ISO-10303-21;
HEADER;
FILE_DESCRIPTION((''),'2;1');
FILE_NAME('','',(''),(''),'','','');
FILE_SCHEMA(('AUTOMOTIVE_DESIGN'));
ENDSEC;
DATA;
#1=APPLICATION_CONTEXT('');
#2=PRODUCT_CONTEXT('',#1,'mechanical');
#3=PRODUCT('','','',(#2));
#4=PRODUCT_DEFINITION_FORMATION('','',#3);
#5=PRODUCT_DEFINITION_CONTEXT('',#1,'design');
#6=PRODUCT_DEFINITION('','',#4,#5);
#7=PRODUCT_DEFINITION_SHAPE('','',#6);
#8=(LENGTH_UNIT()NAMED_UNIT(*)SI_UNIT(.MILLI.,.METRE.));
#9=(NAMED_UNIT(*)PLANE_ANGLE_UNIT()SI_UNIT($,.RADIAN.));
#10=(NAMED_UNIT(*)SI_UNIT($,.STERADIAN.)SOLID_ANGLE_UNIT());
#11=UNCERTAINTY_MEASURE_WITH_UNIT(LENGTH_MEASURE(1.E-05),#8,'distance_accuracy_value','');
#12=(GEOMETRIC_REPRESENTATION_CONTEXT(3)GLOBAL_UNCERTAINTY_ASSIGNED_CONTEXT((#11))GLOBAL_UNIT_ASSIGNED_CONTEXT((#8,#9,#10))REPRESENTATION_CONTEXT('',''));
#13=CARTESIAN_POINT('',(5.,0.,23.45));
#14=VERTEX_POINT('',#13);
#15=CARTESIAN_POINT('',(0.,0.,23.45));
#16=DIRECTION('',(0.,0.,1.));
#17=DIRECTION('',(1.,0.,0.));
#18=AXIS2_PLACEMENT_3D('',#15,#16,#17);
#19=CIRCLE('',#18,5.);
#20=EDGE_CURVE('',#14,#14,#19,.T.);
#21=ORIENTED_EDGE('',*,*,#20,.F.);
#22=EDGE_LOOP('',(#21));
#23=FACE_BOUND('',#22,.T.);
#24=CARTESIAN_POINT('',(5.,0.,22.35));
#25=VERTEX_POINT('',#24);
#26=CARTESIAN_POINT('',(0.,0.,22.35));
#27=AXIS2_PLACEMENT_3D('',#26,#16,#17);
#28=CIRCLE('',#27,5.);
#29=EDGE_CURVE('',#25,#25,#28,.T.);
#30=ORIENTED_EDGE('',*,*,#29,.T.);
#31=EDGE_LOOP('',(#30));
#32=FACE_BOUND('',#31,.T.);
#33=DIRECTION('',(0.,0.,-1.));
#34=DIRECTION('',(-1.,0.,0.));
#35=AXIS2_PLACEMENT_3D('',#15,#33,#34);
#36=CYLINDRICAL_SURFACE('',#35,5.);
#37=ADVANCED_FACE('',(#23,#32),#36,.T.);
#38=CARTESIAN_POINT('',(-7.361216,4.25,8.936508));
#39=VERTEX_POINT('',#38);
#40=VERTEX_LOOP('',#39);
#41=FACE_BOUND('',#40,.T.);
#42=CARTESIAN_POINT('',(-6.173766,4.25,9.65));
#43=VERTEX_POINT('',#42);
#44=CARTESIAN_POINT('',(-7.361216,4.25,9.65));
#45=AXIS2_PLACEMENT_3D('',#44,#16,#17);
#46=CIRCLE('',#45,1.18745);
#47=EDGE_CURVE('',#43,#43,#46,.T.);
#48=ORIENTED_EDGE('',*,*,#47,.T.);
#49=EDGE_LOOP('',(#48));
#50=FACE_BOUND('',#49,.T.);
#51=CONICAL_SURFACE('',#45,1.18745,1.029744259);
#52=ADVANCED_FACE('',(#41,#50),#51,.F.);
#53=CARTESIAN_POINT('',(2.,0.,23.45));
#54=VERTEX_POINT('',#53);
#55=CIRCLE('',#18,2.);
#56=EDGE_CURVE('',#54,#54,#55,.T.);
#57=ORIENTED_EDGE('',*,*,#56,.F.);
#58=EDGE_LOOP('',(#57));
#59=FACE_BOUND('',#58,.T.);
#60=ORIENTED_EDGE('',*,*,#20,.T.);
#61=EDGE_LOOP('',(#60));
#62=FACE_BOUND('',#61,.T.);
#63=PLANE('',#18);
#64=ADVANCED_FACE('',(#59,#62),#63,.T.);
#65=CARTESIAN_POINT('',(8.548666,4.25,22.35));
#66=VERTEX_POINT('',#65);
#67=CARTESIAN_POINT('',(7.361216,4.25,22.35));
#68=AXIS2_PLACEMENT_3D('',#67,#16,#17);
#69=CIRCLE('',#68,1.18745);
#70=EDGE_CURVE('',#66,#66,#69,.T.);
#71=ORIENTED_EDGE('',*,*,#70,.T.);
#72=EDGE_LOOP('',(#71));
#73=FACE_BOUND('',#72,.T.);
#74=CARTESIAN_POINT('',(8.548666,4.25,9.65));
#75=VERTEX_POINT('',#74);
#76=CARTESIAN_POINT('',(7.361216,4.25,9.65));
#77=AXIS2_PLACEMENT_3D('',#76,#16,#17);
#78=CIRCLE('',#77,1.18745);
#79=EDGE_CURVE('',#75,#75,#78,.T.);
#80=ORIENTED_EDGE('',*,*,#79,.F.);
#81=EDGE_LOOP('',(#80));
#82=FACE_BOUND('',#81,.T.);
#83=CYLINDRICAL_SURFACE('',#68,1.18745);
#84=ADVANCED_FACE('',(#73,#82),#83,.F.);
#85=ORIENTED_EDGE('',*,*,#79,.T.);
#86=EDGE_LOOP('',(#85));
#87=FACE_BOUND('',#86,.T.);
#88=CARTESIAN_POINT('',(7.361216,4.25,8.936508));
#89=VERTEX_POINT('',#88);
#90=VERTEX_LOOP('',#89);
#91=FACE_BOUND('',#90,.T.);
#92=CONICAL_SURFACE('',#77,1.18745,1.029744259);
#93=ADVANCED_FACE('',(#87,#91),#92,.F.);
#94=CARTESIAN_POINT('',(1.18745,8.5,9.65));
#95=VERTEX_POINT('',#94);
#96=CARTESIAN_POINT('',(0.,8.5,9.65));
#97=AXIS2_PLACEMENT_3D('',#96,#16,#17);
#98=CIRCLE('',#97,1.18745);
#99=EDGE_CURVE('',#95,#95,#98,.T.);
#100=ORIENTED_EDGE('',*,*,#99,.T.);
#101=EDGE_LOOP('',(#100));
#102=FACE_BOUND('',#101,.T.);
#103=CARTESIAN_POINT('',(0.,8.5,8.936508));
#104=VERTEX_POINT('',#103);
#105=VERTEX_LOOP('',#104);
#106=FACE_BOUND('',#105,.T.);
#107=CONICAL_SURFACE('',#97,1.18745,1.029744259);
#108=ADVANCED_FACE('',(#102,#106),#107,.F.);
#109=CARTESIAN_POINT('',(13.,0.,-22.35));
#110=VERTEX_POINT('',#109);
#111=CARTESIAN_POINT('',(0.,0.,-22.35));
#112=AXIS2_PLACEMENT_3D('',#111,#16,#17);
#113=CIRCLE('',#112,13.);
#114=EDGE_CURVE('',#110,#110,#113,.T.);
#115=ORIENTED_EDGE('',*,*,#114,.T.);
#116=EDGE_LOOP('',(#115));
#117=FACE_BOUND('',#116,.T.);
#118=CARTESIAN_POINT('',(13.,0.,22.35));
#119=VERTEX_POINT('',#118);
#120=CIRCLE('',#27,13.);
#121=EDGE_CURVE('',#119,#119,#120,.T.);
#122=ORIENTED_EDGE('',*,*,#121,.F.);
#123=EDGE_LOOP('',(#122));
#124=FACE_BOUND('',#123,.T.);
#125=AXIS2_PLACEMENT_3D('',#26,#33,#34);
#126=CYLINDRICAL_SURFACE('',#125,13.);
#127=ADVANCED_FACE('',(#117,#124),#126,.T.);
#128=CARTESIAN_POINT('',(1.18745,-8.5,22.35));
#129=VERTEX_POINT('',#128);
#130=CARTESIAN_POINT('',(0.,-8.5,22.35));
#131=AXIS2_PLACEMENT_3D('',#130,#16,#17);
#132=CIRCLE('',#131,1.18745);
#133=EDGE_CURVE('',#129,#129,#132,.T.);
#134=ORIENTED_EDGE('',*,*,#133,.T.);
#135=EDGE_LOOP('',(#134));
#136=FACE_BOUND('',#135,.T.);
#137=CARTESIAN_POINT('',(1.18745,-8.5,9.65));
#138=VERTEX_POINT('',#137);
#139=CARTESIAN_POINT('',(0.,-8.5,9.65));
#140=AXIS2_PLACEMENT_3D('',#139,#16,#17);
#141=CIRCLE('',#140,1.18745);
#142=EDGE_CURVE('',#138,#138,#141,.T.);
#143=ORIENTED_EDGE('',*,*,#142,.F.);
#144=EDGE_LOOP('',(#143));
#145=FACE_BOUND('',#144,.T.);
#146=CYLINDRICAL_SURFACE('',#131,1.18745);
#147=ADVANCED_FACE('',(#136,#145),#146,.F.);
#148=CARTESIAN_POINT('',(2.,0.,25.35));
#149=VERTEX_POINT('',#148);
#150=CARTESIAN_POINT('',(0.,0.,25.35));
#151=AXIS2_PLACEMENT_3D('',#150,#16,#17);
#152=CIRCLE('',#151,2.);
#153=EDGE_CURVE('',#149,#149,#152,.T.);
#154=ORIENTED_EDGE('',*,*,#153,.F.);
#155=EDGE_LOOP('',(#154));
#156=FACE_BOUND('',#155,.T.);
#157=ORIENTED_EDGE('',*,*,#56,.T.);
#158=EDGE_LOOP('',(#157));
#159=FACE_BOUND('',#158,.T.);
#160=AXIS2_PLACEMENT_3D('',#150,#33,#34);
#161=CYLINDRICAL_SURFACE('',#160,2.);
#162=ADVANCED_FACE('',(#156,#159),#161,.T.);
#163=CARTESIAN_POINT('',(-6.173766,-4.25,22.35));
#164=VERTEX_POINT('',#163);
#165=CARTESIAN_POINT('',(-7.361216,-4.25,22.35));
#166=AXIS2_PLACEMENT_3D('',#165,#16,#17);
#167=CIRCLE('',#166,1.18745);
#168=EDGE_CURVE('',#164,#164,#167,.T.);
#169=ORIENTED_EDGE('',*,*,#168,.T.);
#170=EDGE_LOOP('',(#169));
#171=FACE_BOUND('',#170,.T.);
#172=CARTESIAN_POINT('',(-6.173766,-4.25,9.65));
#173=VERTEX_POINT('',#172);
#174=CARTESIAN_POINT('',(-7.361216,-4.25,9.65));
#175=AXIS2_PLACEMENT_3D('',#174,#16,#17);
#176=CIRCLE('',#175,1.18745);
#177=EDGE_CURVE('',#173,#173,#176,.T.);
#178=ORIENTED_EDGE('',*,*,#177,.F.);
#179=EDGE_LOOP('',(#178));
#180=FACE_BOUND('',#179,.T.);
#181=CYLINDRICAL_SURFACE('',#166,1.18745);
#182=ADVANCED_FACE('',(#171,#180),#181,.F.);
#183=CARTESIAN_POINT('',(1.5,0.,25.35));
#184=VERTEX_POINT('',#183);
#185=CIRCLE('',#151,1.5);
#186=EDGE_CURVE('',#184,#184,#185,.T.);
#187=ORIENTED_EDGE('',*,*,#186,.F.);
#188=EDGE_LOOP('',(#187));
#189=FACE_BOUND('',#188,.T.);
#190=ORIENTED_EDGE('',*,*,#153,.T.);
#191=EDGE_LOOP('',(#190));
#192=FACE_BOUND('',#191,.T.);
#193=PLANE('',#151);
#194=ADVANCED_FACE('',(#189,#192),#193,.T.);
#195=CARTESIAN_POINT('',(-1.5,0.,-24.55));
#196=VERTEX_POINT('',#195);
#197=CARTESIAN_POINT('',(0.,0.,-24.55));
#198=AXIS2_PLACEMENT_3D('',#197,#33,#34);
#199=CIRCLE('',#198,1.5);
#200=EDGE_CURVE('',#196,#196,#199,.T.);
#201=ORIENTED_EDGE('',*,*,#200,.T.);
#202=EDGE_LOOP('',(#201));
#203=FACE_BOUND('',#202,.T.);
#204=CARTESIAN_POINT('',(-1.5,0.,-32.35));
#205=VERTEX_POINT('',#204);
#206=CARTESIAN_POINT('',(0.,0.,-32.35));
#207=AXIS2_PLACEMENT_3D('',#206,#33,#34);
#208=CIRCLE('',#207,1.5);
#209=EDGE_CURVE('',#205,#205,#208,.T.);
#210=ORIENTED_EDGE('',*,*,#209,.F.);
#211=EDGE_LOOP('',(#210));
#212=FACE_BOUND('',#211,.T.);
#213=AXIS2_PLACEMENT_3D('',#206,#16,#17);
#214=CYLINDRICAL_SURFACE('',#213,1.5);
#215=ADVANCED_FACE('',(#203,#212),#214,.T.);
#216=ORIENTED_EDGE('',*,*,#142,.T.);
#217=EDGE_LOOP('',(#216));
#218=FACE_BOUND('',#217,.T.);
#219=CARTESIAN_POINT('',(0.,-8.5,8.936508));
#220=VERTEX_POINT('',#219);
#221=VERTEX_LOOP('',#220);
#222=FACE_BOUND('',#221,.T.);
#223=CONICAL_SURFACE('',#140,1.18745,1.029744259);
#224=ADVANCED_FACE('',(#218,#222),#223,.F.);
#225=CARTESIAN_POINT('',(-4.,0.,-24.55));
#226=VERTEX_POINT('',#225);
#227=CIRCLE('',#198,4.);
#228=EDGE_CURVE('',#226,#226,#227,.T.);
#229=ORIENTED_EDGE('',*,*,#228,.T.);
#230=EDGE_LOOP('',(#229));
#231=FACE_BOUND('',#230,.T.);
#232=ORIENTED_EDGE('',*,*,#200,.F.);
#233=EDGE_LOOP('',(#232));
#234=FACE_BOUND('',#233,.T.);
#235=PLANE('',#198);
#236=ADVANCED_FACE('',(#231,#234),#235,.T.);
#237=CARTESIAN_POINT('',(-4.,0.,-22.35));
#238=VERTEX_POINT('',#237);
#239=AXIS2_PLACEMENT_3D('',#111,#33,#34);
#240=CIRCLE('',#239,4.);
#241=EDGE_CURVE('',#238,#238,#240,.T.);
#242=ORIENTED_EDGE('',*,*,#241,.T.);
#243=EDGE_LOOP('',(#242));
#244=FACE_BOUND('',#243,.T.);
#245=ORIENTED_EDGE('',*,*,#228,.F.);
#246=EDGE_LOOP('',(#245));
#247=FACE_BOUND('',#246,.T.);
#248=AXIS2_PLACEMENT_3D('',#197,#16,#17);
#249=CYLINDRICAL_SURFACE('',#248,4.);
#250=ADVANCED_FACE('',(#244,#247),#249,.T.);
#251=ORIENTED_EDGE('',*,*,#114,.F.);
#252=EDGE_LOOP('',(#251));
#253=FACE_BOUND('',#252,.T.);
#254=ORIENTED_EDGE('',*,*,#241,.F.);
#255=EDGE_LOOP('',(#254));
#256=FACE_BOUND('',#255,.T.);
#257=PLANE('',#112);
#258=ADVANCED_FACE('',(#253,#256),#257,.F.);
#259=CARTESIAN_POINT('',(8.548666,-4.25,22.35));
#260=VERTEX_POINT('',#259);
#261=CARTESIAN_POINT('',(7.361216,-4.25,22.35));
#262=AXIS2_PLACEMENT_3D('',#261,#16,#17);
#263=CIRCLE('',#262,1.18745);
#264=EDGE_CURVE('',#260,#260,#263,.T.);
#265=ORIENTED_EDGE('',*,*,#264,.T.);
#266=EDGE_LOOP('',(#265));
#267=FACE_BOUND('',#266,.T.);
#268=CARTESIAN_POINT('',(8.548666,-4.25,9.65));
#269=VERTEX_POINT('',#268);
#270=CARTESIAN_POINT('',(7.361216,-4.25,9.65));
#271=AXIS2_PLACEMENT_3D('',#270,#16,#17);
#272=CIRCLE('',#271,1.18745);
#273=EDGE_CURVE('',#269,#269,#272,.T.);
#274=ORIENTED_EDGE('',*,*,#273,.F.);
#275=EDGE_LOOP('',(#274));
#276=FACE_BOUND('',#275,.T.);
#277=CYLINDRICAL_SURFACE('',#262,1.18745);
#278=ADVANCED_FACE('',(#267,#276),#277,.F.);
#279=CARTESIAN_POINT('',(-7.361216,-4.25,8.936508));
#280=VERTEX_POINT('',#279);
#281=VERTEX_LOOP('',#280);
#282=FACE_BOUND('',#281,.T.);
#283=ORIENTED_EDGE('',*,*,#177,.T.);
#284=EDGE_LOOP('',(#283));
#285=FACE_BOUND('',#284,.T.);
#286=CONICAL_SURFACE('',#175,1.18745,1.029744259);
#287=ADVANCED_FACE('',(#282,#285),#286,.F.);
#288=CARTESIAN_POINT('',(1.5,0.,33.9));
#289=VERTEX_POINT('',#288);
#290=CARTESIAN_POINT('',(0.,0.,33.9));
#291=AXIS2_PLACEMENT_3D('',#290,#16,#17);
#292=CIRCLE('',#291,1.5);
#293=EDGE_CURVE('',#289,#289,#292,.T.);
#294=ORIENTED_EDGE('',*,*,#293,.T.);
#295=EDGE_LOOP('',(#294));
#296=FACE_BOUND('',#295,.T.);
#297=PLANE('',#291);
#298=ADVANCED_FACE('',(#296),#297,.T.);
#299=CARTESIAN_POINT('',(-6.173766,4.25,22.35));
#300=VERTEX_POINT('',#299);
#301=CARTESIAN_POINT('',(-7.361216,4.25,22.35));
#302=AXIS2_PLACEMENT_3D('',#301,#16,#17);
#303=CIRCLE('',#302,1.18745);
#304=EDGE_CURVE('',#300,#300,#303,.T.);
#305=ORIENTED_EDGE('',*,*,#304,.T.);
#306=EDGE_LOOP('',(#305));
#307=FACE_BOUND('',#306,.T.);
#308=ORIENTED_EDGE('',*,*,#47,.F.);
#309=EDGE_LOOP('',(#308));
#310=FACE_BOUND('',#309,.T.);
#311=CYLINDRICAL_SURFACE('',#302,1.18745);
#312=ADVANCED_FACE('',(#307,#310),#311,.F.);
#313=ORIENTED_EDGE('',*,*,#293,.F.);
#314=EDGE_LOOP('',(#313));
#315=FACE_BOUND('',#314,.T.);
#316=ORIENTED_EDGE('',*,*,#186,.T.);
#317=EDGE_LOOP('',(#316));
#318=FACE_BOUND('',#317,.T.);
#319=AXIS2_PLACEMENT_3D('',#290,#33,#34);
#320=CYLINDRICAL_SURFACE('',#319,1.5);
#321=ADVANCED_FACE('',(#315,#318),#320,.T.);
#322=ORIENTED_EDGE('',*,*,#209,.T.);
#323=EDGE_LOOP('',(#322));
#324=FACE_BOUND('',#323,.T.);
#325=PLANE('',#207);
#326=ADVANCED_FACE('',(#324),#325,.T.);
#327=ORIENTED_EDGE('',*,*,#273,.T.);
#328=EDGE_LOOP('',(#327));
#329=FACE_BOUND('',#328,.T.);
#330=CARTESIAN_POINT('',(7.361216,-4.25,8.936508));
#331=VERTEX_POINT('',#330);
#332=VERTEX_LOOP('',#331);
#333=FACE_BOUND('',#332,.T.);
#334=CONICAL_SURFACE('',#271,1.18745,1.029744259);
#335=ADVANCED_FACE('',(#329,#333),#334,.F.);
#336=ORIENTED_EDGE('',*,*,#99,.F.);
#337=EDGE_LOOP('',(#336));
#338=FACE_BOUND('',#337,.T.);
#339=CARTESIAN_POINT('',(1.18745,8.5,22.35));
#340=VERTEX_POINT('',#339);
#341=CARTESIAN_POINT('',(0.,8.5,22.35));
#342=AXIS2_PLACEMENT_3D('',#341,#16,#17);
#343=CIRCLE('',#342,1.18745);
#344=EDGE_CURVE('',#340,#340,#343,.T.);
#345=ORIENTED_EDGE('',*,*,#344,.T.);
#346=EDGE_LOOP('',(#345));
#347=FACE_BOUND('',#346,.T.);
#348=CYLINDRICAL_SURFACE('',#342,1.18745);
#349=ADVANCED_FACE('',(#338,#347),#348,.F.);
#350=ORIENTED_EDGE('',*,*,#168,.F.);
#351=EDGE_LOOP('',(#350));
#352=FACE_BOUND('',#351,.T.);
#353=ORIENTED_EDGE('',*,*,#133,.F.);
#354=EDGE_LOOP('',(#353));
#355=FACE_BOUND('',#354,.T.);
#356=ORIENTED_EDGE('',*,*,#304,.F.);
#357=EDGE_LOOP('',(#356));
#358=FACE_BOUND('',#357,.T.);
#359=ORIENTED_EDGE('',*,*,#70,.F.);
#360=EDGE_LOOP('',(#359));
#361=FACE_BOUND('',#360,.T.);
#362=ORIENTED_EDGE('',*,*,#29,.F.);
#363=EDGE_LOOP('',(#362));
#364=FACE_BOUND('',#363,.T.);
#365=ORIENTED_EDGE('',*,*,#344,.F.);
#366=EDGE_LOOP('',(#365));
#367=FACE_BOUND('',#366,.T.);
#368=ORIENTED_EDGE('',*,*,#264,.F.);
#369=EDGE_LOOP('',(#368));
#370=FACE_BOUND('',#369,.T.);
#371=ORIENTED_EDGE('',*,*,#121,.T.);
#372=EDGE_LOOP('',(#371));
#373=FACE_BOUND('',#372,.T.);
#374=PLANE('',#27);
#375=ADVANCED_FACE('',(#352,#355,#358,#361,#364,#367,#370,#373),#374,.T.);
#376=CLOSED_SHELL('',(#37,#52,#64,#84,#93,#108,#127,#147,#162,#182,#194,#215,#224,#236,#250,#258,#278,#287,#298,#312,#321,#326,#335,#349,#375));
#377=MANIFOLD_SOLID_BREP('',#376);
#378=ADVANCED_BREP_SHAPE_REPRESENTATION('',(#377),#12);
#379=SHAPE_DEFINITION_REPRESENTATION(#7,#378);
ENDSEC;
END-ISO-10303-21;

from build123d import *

# Parameters (mm, degrees)
SKETCH1_R                        = 13
BOSS_EXTRUDE1_DEPTH              = 22.35
SKETCH2_R                        = 5
BOSS_EXTRUDE2_DEPTH              = 1.1
SKETCH3_R                        = 2
BOSS_EXTRUDE3_DEPTH              = 1.9
SKETCH4_R                        = 1.5
BOSS_EXTRUDE4_DEPTH              = 8.55
SKETCH5_R                        = 4
BOSS_EXTRUDE5_DEPTH              = 2.2
SKETCH6_R                        = 1.5
BOSS_EXTRUDE6_DEPTH              = 7.8
F_42_0_0935_DIAMETER_HOLE1_D     = 2.3749
F_42_0_0935_DIAMETER_HOLE1_DEPTH = 12.7
F_42_0_0935_DIAMETER_HOLE1_TIP   = 0.713491942


with BuildPart() as part:
    # Sketch1 → Boss-Extrude1 (new body, symmetric)
    with BuildSketch(Plane(origin=(0, 0, 0), x_dir=(0, 1, 0), z_dir=(0, 0, 1))):
        Circle(SKETCH1_R)
    extrude(amount=BOSS_EXTRUDE1_DEPTH, both=True)

    # Sketch2 → Boss-Extrude2 (add)
    with BuildSketch(Plane.XY.offset(22.35)):
        Circle(SKETCH2_R)
    extrude(amount=BOSS_EXTRUDE2_DEPTH)

    # Sketch3 → Boss-Extrude3 (add)
    with BuildSketch(Plane.XY.offset(23.45)):
        Circle(SKETCH3_R)
    extrude(amount=BOSS_EXTRUDE3_DEPTH)

    # Sketch4 → Boss-Extrude4 (add)
    with BuildSketch(Plane.XY.offset(25.35)):
        Circle(SKETCH4_R)
    extrude(amount=BOSS_EXTRUDE4_DEPTH)

    # Sketch5 → Boss-Extrude5 (add)
    with BuildSketch(Plane(origin=(0, 0, -22.35), x_dir=(1, 0, 0), z_dir=(0, 0, -1))):
        Circle(SKETCH5_R)
    extrude(amount=BOSS_EXTRUDE5_DEPTH)

    # Sketch6 → Boss-Extrude6 (add)
    with BuildSketch(Plane(origin=(0, 0, -24.55), x_dir=(1, 0, 0), z_dir=(0, 0, -1))):
        Circle(SKETCH6_R)
    extrude(amount=BOSS_EXTRUDE6_DEPTH)

    # #42 (0.0935) Diameter Hole1
    with Locations(Plane.XY.offset(22.35)):
        with Locations((7.361215932, -4.25), (0, 8.5), (-7.361215932, 4.25), (-7.361215932, -4.25), (7.361215932, 4.25), (0, -8.5)):
            Hole(F_42_0_0935_DIAMETER_HOLE1_D / 2, depth=F_42_0_0935_DIAMETER_HOLE1_DEPTH)
            with Locations((0, 0, -(F_42_0_0935_DIAMETER_HOLE1_DEPTH + F_42_0_0935_DIAMETER_HOLE1_TIP / 2))):  # 118° drill point
                Cone(0, F_42_0_0935_DIAMETER_HOLE1_D / 2, F_42_0_0935_DIAMETER_HOLE1_TIP, mode=Mode.SUBTRACT)


solid = part.part
